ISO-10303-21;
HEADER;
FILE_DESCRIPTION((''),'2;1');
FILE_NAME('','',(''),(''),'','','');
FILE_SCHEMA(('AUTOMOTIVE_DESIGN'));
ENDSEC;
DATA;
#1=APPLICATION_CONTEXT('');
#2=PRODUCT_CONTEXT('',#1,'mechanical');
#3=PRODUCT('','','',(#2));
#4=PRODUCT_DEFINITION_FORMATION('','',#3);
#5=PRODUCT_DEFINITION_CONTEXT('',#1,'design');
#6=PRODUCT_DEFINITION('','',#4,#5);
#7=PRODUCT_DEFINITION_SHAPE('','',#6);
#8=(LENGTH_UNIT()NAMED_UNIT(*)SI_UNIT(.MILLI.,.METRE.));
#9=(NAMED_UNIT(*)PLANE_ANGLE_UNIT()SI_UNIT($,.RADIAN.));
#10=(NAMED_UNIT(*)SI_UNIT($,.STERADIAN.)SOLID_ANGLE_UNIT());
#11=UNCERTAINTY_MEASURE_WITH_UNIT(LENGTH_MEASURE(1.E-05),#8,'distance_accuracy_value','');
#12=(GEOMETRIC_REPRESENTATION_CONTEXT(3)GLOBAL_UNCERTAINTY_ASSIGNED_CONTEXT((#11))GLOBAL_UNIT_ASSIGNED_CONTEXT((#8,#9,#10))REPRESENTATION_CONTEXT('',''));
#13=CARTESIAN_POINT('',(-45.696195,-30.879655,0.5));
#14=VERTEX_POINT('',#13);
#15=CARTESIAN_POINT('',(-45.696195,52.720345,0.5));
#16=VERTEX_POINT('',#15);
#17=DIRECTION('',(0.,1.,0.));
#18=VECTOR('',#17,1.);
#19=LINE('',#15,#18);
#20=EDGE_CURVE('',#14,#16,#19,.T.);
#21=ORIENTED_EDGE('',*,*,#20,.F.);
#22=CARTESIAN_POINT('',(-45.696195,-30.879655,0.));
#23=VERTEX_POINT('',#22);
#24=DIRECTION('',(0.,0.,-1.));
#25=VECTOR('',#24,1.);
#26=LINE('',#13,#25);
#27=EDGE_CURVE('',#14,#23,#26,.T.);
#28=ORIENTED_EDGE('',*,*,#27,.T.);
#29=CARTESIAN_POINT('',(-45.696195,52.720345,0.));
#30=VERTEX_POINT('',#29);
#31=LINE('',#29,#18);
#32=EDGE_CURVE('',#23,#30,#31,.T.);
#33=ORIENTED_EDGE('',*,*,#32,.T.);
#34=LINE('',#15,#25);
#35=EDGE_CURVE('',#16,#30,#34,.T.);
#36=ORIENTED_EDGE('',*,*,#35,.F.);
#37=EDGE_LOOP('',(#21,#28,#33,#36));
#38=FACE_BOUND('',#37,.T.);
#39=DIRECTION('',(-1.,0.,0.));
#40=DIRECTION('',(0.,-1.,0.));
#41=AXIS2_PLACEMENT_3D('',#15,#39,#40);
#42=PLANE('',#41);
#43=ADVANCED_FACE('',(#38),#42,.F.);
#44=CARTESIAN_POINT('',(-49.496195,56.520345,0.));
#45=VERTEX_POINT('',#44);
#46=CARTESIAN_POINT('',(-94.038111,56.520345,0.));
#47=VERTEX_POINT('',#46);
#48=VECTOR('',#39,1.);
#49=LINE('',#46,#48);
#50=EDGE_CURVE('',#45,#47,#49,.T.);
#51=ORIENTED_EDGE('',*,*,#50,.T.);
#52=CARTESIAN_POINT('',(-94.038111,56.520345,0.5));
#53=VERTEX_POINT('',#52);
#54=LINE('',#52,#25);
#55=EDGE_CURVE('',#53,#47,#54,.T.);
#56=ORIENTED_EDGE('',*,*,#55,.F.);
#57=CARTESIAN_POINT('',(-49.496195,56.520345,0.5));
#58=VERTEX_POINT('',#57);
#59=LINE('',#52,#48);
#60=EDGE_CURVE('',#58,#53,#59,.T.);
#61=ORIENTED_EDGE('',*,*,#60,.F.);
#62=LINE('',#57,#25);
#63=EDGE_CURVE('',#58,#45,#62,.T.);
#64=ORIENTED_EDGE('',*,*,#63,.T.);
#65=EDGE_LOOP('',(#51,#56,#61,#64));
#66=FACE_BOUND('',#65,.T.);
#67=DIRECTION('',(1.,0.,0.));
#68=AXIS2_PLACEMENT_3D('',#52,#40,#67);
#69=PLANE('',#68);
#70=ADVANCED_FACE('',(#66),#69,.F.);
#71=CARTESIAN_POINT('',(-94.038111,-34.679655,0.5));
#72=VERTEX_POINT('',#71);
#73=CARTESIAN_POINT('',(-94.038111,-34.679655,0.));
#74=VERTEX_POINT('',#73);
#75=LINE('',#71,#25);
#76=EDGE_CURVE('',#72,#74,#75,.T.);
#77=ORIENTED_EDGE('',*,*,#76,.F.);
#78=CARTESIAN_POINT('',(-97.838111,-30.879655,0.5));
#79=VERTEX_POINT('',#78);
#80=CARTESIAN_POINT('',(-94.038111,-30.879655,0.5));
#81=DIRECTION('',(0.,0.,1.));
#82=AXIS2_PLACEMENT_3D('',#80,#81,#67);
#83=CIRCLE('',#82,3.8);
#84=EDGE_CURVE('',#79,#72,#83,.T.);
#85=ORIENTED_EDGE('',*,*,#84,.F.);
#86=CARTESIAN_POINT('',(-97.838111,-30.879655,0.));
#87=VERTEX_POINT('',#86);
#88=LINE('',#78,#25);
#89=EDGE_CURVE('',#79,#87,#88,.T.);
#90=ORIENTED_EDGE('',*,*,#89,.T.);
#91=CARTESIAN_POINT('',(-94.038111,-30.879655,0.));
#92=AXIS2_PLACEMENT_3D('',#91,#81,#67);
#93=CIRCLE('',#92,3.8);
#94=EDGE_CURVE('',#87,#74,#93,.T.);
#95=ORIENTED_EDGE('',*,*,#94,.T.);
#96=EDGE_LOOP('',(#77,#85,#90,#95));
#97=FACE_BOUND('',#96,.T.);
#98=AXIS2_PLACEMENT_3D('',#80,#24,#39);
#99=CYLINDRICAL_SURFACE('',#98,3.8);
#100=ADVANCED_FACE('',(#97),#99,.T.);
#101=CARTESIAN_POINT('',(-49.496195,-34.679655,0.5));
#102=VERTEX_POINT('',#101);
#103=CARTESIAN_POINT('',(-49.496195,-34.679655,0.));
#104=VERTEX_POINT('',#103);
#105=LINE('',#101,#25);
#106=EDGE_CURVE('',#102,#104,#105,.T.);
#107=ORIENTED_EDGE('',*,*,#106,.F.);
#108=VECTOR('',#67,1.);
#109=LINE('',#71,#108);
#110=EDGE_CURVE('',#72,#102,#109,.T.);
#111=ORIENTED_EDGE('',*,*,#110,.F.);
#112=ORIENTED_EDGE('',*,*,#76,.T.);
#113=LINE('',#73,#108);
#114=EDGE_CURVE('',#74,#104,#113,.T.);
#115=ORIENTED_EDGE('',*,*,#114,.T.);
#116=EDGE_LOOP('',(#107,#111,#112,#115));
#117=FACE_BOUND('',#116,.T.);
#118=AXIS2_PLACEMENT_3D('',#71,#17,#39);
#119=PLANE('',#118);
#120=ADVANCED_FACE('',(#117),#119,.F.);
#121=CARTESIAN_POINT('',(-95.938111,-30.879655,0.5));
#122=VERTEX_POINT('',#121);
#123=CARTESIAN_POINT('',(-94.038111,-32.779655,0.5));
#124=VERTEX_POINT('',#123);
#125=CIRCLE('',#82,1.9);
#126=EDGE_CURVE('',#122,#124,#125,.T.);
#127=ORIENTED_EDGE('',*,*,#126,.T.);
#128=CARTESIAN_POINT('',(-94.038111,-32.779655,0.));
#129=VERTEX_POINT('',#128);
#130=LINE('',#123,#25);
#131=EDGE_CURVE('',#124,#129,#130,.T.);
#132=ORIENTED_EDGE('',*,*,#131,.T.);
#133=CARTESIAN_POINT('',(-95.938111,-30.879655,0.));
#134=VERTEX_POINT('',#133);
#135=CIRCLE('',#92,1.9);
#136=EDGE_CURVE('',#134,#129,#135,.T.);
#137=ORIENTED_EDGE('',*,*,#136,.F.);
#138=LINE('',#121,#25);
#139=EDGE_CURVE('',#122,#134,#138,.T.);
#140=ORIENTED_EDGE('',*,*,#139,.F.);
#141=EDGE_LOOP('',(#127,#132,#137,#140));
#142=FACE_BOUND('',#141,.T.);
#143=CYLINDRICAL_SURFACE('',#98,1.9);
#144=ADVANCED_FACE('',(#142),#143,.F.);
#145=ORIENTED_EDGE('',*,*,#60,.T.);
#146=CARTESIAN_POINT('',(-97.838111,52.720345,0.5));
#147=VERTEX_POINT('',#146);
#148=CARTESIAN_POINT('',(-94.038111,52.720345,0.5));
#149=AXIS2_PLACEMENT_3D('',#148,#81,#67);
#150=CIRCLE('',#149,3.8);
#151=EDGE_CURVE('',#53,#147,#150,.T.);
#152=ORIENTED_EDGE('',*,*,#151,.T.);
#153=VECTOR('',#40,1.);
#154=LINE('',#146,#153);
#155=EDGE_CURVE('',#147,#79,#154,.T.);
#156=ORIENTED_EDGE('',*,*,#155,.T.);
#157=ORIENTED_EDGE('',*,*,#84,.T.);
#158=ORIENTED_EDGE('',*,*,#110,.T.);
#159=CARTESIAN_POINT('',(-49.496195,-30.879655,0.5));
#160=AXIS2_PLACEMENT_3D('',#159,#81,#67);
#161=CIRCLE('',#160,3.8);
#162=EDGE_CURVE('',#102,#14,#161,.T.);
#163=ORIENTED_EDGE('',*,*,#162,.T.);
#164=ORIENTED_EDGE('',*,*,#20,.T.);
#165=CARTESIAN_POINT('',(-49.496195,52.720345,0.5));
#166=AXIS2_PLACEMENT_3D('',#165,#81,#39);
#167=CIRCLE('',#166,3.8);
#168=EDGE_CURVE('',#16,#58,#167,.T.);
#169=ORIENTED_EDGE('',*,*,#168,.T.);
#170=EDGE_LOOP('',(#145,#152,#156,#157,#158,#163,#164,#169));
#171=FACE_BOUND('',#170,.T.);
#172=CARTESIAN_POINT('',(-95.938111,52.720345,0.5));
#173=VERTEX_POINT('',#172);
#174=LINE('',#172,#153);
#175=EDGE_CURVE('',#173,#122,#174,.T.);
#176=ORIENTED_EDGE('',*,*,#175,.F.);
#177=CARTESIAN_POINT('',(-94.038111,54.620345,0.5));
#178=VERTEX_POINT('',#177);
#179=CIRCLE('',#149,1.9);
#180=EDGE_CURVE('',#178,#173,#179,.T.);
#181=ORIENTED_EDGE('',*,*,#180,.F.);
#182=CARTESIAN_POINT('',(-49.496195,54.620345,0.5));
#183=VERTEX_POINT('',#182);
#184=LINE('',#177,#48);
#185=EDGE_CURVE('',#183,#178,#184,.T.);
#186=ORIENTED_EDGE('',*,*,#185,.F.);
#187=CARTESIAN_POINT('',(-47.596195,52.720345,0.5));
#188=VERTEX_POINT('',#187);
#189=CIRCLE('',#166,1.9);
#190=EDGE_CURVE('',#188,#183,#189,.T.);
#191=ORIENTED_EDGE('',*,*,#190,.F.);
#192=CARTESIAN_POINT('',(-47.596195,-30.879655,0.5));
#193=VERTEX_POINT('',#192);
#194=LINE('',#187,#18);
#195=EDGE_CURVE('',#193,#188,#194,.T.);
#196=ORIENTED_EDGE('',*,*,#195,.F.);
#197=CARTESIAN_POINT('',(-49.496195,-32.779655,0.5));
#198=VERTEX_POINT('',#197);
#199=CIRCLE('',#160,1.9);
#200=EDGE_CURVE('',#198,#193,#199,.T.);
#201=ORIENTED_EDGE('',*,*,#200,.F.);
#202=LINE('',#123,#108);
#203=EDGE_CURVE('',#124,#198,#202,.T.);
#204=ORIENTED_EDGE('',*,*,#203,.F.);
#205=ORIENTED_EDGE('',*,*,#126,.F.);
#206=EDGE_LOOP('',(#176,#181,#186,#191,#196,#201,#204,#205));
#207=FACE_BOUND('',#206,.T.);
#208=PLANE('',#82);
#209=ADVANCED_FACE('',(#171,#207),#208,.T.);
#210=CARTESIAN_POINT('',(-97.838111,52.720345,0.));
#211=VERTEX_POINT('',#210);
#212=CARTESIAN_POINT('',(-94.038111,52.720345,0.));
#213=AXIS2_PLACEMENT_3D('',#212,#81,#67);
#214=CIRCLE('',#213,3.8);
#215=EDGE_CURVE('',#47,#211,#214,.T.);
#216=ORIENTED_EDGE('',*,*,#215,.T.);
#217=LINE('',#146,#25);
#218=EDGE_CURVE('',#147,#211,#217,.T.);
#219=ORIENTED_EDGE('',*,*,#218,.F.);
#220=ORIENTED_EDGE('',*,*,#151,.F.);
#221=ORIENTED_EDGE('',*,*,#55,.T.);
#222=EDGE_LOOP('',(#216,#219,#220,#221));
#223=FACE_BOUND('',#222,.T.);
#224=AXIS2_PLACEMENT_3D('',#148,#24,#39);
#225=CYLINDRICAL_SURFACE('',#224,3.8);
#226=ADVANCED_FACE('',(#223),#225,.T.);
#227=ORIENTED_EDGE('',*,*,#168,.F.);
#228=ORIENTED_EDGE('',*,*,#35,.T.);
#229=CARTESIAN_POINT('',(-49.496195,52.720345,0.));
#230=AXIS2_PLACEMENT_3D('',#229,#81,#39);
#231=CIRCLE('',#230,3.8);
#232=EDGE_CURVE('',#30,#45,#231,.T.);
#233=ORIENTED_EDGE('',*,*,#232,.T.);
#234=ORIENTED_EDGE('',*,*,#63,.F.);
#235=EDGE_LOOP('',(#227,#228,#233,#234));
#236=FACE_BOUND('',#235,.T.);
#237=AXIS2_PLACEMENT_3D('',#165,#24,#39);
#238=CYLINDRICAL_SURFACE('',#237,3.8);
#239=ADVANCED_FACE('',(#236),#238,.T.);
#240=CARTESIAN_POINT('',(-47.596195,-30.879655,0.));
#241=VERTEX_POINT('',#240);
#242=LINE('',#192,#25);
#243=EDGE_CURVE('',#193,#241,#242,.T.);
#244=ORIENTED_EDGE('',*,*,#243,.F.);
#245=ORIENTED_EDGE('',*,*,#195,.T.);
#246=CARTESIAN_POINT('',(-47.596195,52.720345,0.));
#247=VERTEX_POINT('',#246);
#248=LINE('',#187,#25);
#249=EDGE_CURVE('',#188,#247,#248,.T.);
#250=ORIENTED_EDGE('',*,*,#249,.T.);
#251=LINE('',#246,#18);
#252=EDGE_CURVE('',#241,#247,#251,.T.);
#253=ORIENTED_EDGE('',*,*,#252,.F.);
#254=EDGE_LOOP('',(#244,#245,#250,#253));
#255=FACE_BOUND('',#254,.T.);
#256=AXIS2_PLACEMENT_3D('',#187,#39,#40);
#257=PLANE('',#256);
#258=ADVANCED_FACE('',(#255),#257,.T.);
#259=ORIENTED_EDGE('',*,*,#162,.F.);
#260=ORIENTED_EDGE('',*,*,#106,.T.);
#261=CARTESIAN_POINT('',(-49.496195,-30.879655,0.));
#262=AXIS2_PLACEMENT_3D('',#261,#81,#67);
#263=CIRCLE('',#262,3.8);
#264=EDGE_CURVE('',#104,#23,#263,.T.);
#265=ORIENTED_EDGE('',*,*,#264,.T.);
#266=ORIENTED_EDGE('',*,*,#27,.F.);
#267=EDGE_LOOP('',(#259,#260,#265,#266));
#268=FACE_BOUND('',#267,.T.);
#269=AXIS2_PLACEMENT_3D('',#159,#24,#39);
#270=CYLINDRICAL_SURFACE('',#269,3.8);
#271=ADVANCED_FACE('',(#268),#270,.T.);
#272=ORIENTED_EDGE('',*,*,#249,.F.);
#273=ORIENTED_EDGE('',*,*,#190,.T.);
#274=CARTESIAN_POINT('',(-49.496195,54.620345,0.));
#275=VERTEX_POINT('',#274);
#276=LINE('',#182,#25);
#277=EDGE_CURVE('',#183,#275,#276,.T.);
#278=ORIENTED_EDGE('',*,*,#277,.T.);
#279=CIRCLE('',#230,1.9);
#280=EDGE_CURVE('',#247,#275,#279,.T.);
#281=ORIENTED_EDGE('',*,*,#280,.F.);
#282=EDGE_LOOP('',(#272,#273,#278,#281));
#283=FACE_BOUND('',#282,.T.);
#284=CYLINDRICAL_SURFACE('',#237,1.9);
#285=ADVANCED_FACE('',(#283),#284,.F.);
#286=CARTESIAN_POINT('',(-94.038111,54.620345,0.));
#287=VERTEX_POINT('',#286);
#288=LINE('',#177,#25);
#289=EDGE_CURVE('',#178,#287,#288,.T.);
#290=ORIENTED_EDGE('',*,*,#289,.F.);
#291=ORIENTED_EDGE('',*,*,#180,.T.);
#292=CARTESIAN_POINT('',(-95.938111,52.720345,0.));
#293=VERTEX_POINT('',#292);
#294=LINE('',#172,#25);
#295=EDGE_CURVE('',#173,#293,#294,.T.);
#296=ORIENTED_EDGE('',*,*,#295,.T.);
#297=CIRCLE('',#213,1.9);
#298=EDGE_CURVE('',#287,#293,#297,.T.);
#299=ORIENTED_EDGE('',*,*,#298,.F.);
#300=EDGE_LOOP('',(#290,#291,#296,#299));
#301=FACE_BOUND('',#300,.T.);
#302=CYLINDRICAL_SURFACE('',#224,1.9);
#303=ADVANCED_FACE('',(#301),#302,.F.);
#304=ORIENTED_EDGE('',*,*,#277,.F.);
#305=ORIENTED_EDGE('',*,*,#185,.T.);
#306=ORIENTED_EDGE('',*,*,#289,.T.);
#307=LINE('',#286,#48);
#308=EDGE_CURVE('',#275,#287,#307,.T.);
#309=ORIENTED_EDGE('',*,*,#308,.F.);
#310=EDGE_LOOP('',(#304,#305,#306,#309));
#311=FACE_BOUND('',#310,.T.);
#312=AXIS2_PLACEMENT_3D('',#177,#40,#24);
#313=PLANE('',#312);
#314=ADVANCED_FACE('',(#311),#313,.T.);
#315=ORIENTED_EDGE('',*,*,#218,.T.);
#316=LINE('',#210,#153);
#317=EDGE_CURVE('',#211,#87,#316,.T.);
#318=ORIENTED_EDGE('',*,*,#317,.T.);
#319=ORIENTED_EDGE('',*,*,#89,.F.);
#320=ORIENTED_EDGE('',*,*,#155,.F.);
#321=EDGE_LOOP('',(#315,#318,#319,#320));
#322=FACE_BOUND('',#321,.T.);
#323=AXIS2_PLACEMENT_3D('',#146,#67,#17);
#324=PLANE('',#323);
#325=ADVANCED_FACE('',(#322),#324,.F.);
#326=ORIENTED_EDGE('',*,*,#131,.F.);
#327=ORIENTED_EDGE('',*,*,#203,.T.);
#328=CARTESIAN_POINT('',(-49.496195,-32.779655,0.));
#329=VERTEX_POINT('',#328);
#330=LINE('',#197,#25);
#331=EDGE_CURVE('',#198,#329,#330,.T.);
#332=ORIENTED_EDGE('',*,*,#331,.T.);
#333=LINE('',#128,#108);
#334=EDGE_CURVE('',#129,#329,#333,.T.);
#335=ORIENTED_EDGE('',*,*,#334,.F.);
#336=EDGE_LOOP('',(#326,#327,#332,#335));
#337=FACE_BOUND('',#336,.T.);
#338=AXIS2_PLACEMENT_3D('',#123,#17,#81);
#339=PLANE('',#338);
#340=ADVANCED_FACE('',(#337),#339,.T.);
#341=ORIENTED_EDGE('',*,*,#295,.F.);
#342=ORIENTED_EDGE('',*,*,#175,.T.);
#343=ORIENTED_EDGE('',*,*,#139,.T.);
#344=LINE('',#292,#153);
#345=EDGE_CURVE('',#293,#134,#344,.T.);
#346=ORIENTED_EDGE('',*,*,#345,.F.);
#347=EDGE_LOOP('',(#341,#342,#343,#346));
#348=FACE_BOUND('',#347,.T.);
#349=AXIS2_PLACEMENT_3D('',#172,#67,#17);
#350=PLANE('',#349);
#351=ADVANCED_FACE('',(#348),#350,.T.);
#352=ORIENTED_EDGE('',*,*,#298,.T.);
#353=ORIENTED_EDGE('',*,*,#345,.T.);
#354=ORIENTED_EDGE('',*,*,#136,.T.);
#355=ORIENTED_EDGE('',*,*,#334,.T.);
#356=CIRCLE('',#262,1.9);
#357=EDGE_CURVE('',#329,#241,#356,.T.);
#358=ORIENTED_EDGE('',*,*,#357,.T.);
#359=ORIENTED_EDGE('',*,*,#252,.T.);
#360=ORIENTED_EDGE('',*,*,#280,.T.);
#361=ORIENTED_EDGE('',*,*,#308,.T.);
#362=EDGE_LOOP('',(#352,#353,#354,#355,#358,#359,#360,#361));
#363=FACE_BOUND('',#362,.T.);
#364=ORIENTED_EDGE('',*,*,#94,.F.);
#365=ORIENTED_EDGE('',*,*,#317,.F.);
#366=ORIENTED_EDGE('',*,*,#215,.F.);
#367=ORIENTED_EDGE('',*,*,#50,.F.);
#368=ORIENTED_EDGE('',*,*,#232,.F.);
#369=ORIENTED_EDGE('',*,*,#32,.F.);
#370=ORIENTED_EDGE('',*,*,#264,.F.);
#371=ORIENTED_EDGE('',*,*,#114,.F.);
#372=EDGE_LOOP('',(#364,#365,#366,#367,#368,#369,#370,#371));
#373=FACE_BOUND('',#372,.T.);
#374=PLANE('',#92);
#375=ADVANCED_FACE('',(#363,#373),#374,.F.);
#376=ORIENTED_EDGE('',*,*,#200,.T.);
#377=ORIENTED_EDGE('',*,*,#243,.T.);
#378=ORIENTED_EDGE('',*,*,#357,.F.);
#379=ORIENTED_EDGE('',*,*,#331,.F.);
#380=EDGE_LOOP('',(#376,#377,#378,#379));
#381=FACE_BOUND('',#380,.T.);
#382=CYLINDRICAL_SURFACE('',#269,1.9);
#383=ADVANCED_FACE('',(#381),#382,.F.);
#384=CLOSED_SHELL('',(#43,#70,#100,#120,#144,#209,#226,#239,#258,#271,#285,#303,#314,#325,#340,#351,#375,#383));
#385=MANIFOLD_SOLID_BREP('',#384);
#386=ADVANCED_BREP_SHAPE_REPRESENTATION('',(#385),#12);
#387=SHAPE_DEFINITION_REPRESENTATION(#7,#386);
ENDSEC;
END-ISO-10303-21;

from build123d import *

# Parameters (mm, degrees)
BOSS_EXTRUDE1_DEPTH = 0.5


with BuildPart() as part:
    # Sketch1 → Boss-Extrude1 (new body)
    with BuildSketch(Plane.XY):
        with BuildLine():
            Line((-94.038111231, 56.520344688), (-49.496194956, 56.520344688))
            ThreePointArc((-49.496194956, 56.520344688), (-46.809189188, 55.407350457), (-45.696194956, 52.720344688))
            Line((-45.696194956, 52.720344688), (-45.696194956, -30.879655312))
            ThreePointArc((-45.696194956, -30.879655312), (-46.809189188, -33.56666108), (-49.496194956, -34.679655312))
            Line((-49.496194956, -34.679655312), (-94.038111231, -34.679655312))
            ThreePointArc((-94.038111231, -34.679655312), (-96.725116999, -33.56666108), (-97.838111231, -30.879655312))
            Line((-97.838111231, -30.879655312), (-97.838111231, 52.720344688))
            ThreePointArc((-97.838111231, 52.720344688), (-96.725116999, 55.407350457), (-94.038111231, 56.520344688))
        make_face()
        with BuildLine():
            Line((-95.938111231, 52.720344688), (-95.938111231, -30.879655312))
            ThreePointArc((-95.938111231, -30.879655312), (-95.381614115, -32.223158196), (-94.038111231, -32.779655312))
            Line((-94.038111231, -32.779655312), (-49.496194956, -32.779655312))
            ThreePointArc((-49.496194956, -32.779655312), (-48.152692072, -32.223158196), (-47.596194956, -30.879655312))
            Line((-47.596194956, -30.879655312), (-47.596194956, 52.720344688))
            ThreePointArc((-47.596194956, 52.720344688), (-48.152692072, 54.063847573), (-49.496194956, 54.620344688))
            Line((-49.496194956, 54.620344688), (-94.038111231, 54.620344688))
            ThreePointArc((-94.038111231, 54.620344688), (-95.381614115, 54.063847573), (-95.938111231, 52.720344688))
        make_face(mode=Mode.SUBTRACT)
    extrude(amount=BOSS_EXTRUDE1_DEPTH)


solid = part.part
